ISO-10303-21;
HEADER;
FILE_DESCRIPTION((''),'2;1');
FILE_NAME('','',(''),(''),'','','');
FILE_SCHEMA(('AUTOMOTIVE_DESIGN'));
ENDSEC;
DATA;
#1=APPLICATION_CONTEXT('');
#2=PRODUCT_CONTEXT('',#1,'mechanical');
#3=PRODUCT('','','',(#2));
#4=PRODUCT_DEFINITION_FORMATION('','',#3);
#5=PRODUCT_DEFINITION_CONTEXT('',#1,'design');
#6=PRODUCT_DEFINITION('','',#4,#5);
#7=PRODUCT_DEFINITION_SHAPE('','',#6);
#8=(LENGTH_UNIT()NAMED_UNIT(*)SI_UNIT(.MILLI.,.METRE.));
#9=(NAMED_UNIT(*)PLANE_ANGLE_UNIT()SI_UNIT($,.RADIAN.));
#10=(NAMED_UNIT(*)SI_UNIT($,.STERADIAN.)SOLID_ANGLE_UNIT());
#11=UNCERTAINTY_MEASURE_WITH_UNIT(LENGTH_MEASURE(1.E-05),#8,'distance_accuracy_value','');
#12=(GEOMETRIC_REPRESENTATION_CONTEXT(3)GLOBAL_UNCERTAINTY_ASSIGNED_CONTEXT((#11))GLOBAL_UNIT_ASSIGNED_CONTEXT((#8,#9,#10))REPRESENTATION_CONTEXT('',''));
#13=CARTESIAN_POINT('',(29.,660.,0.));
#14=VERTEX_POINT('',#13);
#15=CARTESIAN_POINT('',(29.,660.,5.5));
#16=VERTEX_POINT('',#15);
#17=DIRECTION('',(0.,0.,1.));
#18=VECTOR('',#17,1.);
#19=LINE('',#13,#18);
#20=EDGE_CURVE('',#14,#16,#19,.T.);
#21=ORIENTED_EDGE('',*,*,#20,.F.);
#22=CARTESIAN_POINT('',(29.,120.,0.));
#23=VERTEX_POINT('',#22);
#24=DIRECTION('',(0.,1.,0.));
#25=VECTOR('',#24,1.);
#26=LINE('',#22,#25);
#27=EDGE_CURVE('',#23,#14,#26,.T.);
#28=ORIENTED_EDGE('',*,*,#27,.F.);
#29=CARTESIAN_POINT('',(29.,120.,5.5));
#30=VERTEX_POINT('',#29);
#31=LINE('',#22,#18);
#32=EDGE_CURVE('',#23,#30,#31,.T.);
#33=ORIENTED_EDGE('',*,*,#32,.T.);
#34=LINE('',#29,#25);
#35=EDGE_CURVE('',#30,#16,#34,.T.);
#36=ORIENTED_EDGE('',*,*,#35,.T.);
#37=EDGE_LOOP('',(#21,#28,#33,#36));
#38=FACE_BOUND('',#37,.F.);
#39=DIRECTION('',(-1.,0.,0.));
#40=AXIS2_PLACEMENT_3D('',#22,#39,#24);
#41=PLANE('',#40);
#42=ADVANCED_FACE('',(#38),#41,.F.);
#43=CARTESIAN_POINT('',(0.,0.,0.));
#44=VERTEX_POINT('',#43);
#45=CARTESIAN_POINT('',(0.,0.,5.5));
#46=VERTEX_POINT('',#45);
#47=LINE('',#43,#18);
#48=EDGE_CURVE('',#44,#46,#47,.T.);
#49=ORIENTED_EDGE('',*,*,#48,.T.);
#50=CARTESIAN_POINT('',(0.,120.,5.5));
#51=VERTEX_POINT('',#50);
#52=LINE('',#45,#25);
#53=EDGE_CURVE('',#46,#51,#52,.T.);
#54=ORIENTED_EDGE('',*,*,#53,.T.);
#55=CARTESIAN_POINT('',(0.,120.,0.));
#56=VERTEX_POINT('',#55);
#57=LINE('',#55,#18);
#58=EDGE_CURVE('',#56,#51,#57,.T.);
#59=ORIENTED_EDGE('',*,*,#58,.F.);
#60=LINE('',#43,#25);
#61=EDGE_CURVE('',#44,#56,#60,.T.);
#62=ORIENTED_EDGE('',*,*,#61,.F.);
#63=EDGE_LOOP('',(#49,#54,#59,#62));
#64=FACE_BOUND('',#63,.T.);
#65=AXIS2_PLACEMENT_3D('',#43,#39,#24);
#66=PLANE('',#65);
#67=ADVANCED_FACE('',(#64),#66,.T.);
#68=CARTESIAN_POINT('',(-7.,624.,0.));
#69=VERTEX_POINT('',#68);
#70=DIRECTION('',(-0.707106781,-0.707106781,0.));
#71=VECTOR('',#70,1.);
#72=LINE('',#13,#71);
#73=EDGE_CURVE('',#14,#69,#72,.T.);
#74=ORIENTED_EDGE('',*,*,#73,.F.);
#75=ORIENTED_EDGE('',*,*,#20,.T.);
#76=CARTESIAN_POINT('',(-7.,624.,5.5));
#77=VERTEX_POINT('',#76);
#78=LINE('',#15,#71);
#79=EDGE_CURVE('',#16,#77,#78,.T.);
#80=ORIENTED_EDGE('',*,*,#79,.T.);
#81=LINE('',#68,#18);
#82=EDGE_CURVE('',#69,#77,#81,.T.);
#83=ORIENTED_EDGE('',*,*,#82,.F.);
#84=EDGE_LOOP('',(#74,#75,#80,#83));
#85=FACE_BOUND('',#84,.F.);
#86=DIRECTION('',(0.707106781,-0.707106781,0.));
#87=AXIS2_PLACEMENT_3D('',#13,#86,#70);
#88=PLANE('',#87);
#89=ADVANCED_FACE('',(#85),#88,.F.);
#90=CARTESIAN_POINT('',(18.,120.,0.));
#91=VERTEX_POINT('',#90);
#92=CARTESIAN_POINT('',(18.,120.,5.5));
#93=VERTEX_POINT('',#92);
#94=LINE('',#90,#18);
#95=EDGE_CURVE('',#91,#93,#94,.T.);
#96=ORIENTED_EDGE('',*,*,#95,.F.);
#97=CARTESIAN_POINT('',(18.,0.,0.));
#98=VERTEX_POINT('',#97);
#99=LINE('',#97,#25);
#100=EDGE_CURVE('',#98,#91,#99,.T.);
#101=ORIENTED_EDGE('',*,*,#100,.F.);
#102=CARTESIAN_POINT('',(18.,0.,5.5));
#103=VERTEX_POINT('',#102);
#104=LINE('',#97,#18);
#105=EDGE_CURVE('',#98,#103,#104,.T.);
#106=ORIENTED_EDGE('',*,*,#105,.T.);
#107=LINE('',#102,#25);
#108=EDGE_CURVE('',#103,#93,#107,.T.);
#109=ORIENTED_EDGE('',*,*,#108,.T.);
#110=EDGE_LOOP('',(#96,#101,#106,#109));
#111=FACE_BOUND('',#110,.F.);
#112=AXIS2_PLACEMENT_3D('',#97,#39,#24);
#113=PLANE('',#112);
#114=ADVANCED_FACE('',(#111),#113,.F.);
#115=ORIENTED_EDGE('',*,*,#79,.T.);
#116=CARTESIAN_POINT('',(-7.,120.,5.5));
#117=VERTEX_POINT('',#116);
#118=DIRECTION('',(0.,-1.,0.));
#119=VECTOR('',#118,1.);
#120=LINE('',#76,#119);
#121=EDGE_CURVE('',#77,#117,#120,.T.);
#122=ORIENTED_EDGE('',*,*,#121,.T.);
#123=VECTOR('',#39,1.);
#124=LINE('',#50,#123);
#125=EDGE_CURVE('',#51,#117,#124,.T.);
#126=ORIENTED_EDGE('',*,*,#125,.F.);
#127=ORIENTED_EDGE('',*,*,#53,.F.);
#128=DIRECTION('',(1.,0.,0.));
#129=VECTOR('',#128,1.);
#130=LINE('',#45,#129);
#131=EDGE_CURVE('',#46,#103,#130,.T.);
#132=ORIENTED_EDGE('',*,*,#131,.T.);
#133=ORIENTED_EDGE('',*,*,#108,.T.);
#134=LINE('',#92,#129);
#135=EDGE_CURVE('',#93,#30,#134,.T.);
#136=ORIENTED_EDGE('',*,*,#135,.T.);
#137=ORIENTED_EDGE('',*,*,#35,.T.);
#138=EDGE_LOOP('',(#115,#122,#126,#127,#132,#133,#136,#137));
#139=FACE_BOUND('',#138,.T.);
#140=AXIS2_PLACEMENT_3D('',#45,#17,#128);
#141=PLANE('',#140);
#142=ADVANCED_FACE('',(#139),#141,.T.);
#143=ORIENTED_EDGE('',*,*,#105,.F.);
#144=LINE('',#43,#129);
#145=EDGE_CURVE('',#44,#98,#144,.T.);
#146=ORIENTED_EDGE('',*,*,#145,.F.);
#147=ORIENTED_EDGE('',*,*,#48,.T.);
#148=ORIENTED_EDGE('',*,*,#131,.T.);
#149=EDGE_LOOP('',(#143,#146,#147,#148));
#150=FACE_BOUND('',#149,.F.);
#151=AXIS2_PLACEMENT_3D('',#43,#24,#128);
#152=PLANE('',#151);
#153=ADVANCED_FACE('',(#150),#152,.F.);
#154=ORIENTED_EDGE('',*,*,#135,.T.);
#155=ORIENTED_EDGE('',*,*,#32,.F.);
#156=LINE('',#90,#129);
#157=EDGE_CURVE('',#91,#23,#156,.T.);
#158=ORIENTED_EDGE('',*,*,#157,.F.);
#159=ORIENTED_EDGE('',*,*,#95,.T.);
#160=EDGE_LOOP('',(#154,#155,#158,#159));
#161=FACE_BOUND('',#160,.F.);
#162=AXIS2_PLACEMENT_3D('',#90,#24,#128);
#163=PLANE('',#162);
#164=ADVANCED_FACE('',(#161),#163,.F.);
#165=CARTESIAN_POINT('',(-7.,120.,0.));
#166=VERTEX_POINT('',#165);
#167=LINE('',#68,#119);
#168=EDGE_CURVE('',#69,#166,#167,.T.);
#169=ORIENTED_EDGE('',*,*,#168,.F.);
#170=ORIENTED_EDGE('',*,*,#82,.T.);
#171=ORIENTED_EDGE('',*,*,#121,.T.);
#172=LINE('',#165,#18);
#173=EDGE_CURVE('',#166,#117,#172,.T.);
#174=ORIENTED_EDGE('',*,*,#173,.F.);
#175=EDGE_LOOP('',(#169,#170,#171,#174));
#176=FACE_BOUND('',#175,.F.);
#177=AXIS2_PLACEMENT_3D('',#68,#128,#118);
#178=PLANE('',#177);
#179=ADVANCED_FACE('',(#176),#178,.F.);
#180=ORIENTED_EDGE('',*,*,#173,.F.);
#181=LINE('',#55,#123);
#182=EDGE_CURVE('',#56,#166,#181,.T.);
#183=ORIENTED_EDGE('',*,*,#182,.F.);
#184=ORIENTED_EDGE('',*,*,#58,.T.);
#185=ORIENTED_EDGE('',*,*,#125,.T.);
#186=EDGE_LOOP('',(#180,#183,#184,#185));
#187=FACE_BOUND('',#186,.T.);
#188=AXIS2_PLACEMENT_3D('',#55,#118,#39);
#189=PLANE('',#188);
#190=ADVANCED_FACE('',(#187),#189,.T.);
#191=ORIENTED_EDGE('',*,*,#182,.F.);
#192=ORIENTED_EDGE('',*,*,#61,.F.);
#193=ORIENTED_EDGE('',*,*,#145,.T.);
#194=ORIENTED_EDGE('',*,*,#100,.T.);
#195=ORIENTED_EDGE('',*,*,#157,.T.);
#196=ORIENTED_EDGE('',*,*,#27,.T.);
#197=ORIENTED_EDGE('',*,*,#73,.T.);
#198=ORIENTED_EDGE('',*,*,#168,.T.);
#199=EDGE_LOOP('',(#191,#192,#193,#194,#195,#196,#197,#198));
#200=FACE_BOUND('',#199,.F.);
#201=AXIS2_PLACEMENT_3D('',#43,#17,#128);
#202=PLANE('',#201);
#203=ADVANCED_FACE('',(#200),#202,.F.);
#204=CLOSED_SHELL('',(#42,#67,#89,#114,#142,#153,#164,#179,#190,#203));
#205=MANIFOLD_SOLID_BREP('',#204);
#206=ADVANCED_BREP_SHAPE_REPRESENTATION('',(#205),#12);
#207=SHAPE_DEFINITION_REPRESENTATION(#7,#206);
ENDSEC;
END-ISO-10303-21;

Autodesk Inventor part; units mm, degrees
ref_plane "YZ Plane" through (0, 0, 0) normal (1, 0, 0) x (0, 1, 0)
ref_plane "XZ Plane" through (0, 0, 0) normal (0, 1, 0) x (-1, 0, 0)
ref_plane "XY Plane" through (0, 0, 0) normal (0, 0, 1) x (1, 0, 0)
sketch "Sketch1" plane through (0, 0, 0) normal (0, 0, 1) x (1, 0, 0)
  line L0 (0, 0) -> (18, 0)
  line L1 (18, 0) -> (18, 120)
  line L2 (18, 120) -> (29, 120)
  line L3 (0, 0) -> (0, 120)
  line L4 (0, 120) -> (-7, 120)
  line L5 (29, 120) -> (29, 660)
  line L6 (29, 120) -> (569, 120) construction
  line L7 (29, 660) -> (-7, 624)
  line L8 (29, 660) -> (79.9117, 660) construction
  line L9 (-7, 624) -> (-7, 120)
  dimension "d0" = 18
  dimension "d1" = 120
  dimension "d2" = 90
  dimension "d3" = 11
  dimension "d4" = 7
  dimension "d6" = 90
  dimension "d7" = 135
extrude "Extrusion1" add sketch "Sketch1" along normal blind 5.5
properties part number "hoja1"
